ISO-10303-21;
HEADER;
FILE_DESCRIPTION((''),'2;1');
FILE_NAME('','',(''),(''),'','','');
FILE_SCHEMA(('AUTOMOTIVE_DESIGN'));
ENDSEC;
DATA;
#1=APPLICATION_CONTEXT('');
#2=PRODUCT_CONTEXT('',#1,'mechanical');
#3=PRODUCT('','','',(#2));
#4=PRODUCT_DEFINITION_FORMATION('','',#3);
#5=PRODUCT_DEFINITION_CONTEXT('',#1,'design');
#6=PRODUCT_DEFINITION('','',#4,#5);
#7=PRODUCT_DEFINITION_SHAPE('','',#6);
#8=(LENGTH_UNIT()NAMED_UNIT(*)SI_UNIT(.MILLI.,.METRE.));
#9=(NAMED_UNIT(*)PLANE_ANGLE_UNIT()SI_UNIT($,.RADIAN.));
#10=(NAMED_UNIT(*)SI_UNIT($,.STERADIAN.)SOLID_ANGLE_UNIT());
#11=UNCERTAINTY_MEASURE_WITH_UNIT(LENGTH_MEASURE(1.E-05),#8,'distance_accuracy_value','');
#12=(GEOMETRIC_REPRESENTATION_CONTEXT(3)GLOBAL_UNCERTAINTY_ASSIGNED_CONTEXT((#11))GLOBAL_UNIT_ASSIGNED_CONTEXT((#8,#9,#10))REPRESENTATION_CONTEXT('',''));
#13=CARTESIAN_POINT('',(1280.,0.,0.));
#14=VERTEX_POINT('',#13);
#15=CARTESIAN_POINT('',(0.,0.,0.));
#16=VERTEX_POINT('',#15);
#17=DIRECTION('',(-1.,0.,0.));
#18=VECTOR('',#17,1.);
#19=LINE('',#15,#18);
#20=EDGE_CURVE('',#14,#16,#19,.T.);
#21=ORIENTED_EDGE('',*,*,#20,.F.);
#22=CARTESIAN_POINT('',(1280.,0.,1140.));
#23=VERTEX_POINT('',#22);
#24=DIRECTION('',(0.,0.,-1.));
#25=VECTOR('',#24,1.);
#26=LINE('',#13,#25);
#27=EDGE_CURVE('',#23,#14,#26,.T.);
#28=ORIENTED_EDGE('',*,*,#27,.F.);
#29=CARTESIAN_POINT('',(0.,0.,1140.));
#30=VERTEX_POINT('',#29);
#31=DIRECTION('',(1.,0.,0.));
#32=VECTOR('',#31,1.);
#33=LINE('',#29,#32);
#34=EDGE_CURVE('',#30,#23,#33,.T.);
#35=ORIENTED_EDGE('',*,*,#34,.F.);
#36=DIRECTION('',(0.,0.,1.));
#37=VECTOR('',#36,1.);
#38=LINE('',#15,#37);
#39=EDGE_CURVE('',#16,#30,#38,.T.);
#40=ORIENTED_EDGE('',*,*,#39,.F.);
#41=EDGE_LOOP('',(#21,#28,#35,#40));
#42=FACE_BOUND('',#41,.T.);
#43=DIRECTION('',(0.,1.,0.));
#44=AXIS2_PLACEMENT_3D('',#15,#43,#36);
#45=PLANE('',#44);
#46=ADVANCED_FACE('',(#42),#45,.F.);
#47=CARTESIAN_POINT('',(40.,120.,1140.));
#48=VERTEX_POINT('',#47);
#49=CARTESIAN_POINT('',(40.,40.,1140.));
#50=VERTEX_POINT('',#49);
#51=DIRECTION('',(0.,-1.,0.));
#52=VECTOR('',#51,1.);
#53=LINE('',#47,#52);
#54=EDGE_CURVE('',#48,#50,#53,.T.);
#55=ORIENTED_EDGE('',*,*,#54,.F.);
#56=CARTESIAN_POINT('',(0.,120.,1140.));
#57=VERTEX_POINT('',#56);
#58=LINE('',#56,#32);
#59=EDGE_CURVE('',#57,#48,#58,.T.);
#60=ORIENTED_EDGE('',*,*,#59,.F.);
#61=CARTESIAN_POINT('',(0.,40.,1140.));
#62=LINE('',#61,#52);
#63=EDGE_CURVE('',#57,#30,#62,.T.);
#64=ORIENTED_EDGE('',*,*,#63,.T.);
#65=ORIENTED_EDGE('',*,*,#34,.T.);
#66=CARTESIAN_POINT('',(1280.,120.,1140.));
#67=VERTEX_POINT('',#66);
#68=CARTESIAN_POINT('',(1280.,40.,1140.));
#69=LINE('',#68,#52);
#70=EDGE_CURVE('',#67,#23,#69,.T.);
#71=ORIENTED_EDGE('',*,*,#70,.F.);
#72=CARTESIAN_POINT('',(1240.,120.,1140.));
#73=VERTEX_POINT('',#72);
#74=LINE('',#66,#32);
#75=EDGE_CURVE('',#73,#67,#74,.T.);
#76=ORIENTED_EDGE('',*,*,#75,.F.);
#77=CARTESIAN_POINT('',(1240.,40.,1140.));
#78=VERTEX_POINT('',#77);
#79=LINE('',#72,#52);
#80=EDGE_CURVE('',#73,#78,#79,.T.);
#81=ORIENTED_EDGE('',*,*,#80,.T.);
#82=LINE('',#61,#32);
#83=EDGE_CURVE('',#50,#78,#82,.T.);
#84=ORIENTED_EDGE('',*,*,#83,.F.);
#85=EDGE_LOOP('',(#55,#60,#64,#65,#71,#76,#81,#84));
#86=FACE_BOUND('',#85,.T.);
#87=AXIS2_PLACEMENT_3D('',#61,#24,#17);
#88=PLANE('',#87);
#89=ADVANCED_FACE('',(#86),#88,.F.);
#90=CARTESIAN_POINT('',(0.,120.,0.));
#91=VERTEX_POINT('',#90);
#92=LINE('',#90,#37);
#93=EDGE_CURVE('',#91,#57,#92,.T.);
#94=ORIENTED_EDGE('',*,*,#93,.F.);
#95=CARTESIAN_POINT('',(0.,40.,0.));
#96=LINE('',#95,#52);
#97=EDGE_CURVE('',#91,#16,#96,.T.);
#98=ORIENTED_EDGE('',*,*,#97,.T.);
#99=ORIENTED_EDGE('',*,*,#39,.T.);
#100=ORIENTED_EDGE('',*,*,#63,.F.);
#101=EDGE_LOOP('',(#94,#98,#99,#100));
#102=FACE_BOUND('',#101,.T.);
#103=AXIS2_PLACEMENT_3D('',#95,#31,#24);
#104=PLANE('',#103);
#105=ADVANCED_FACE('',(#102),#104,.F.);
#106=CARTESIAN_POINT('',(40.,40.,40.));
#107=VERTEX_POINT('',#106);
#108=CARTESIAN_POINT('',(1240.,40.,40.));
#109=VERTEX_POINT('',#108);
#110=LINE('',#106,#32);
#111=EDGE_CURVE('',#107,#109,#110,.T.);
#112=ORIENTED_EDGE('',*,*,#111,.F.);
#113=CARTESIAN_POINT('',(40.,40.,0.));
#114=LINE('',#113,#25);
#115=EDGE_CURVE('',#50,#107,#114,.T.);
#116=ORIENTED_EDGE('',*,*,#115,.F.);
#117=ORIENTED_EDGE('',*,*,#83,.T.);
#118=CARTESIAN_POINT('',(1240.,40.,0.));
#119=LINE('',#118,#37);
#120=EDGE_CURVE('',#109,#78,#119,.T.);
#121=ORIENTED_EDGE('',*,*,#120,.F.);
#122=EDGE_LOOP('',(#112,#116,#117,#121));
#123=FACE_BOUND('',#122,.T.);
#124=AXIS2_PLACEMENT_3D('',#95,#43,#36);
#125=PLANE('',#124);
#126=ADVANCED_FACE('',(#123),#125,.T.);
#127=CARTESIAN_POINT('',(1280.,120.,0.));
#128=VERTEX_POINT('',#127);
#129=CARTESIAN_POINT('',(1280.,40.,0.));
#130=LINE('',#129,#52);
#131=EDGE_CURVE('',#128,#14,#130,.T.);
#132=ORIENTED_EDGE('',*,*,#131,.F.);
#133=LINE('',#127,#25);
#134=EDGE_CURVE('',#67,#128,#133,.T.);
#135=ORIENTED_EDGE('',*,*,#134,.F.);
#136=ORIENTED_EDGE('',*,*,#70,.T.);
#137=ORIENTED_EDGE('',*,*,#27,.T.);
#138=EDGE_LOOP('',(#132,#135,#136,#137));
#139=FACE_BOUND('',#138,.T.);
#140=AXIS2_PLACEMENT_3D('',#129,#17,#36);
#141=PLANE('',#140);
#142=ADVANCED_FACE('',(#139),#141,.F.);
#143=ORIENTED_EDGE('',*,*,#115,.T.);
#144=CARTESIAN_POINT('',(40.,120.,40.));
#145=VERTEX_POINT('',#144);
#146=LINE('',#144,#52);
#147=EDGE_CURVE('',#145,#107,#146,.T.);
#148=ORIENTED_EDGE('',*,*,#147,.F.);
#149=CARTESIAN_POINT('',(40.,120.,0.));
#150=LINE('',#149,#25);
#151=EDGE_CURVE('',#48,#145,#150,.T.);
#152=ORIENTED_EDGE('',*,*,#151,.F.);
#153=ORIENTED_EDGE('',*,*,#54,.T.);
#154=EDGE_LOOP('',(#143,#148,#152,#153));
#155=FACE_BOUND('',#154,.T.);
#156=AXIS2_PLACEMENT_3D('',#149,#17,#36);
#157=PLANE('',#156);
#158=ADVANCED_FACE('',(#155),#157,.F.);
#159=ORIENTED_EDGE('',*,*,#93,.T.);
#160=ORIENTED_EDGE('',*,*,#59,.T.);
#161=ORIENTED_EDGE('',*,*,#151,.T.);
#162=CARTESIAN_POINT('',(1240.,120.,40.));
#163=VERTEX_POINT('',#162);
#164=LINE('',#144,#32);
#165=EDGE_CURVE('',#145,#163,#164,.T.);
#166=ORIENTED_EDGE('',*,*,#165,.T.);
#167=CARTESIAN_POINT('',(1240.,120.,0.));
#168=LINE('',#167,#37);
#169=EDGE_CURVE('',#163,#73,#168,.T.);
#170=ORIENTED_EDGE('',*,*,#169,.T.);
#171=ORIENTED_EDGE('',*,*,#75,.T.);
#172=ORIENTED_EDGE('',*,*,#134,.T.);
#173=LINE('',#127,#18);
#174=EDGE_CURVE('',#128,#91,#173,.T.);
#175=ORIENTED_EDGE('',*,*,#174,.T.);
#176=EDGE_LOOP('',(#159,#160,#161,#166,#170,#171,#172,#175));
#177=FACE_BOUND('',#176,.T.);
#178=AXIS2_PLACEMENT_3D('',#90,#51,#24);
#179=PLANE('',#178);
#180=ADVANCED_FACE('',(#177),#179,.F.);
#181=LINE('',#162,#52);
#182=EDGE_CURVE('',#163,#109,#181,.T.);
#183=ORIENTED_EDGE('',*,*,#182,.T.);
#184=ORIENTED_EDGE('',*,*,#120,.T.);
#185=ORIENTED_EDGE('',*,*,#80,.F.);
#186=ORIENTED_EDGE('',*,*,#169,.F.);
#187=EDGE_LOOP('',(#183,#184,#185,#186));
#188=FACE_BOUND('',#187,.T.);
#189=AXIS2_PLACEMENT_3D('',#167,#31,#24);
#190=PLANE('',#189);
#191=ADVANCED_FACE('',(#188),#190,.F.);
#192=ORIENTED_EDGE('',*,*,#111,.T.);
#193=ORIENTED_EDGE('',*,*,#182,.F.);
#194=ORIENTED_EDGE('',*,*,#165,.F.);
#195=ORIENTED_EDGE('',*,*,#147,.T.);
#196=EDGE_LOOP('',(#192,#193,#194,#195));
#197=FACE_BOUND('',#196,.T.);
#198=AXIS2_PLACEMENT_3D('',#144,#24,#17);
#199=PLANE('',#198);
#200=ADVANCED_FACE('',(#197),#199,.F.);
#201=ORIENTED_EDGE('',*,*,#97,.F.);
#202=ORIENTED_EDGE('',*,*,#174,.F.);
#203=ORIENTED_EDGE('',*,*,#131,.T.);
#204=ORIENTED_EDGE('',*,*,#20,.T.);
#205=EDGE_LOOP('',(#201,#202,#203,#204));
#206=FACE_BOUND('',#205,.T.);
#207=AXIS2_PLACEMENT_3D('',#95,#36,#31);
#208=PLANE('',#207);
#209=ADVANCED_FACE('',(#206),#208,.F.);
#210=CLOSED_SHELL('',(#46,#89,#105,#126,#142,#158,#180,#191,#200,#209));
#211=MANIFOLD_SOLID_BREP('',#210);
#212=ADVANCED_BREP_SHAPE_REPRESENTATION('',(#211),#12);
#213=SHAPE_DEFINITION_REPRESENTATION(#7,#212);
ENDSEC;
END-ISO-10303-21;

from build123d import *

# Parameters (mm, degrees)
SKETCH1_W           = 1280
SKETCH1_H           = 1140
BOSS_EXTRUDE1_DEPTH = 40
SKETCH2_W           = 40
SKETCH2_H           = 1140
BOSS_EXTRUDE2_DEPTH = 80
SKETCH3_W           = 1200
SKETCH3_H           = 40
BOSS_EXTRUDE3_DEPTH = 80


with BuildPart() as part:
    # Sketch1 → Boss-Extrude1 (new body)
    with BuildSketch(Plane(origin=(0, 0, 0), x_dir=(1, 0, 0), z_dir=(0, 1, 0))):
        with Locations((640, -570)):
            Rectangle(SKETCH1_W, SKETCH1_H)
    extrude(amount=BOSS_EXTRUDE1_DEPTH)

    # Sketch2 → Boss-Extrude2 (add)
    with BuildSketch(Plane(origin=(0, 40, 0), x_dir=(1, 0, 0), z_dir=(0, 1, 0))):
        with Locations((1260, -570)):
            Rectangle(SKETCH2_W, SKETCH2_H)
        with Locations((20, -570)):
            Rectangle(SKETCH2_W, SKETCH2_H)
    extrude(amount=BOSS_EXTRUDE2_DEPTH)

    # Sketch3 → Boss-Extrude3 (add)
    with BuildSketch(Plane(origin=(0, 40, 0), x_dir=(1, 0, 0), z_dir=(0, 1, 0))):
        with Locations((640, -20)):
            Rectangle(SKETCH3_W, SKETCH3_H)
    extrude(amount=BOSS_EXTRUDE3_DEPTH)


solid = part.part
